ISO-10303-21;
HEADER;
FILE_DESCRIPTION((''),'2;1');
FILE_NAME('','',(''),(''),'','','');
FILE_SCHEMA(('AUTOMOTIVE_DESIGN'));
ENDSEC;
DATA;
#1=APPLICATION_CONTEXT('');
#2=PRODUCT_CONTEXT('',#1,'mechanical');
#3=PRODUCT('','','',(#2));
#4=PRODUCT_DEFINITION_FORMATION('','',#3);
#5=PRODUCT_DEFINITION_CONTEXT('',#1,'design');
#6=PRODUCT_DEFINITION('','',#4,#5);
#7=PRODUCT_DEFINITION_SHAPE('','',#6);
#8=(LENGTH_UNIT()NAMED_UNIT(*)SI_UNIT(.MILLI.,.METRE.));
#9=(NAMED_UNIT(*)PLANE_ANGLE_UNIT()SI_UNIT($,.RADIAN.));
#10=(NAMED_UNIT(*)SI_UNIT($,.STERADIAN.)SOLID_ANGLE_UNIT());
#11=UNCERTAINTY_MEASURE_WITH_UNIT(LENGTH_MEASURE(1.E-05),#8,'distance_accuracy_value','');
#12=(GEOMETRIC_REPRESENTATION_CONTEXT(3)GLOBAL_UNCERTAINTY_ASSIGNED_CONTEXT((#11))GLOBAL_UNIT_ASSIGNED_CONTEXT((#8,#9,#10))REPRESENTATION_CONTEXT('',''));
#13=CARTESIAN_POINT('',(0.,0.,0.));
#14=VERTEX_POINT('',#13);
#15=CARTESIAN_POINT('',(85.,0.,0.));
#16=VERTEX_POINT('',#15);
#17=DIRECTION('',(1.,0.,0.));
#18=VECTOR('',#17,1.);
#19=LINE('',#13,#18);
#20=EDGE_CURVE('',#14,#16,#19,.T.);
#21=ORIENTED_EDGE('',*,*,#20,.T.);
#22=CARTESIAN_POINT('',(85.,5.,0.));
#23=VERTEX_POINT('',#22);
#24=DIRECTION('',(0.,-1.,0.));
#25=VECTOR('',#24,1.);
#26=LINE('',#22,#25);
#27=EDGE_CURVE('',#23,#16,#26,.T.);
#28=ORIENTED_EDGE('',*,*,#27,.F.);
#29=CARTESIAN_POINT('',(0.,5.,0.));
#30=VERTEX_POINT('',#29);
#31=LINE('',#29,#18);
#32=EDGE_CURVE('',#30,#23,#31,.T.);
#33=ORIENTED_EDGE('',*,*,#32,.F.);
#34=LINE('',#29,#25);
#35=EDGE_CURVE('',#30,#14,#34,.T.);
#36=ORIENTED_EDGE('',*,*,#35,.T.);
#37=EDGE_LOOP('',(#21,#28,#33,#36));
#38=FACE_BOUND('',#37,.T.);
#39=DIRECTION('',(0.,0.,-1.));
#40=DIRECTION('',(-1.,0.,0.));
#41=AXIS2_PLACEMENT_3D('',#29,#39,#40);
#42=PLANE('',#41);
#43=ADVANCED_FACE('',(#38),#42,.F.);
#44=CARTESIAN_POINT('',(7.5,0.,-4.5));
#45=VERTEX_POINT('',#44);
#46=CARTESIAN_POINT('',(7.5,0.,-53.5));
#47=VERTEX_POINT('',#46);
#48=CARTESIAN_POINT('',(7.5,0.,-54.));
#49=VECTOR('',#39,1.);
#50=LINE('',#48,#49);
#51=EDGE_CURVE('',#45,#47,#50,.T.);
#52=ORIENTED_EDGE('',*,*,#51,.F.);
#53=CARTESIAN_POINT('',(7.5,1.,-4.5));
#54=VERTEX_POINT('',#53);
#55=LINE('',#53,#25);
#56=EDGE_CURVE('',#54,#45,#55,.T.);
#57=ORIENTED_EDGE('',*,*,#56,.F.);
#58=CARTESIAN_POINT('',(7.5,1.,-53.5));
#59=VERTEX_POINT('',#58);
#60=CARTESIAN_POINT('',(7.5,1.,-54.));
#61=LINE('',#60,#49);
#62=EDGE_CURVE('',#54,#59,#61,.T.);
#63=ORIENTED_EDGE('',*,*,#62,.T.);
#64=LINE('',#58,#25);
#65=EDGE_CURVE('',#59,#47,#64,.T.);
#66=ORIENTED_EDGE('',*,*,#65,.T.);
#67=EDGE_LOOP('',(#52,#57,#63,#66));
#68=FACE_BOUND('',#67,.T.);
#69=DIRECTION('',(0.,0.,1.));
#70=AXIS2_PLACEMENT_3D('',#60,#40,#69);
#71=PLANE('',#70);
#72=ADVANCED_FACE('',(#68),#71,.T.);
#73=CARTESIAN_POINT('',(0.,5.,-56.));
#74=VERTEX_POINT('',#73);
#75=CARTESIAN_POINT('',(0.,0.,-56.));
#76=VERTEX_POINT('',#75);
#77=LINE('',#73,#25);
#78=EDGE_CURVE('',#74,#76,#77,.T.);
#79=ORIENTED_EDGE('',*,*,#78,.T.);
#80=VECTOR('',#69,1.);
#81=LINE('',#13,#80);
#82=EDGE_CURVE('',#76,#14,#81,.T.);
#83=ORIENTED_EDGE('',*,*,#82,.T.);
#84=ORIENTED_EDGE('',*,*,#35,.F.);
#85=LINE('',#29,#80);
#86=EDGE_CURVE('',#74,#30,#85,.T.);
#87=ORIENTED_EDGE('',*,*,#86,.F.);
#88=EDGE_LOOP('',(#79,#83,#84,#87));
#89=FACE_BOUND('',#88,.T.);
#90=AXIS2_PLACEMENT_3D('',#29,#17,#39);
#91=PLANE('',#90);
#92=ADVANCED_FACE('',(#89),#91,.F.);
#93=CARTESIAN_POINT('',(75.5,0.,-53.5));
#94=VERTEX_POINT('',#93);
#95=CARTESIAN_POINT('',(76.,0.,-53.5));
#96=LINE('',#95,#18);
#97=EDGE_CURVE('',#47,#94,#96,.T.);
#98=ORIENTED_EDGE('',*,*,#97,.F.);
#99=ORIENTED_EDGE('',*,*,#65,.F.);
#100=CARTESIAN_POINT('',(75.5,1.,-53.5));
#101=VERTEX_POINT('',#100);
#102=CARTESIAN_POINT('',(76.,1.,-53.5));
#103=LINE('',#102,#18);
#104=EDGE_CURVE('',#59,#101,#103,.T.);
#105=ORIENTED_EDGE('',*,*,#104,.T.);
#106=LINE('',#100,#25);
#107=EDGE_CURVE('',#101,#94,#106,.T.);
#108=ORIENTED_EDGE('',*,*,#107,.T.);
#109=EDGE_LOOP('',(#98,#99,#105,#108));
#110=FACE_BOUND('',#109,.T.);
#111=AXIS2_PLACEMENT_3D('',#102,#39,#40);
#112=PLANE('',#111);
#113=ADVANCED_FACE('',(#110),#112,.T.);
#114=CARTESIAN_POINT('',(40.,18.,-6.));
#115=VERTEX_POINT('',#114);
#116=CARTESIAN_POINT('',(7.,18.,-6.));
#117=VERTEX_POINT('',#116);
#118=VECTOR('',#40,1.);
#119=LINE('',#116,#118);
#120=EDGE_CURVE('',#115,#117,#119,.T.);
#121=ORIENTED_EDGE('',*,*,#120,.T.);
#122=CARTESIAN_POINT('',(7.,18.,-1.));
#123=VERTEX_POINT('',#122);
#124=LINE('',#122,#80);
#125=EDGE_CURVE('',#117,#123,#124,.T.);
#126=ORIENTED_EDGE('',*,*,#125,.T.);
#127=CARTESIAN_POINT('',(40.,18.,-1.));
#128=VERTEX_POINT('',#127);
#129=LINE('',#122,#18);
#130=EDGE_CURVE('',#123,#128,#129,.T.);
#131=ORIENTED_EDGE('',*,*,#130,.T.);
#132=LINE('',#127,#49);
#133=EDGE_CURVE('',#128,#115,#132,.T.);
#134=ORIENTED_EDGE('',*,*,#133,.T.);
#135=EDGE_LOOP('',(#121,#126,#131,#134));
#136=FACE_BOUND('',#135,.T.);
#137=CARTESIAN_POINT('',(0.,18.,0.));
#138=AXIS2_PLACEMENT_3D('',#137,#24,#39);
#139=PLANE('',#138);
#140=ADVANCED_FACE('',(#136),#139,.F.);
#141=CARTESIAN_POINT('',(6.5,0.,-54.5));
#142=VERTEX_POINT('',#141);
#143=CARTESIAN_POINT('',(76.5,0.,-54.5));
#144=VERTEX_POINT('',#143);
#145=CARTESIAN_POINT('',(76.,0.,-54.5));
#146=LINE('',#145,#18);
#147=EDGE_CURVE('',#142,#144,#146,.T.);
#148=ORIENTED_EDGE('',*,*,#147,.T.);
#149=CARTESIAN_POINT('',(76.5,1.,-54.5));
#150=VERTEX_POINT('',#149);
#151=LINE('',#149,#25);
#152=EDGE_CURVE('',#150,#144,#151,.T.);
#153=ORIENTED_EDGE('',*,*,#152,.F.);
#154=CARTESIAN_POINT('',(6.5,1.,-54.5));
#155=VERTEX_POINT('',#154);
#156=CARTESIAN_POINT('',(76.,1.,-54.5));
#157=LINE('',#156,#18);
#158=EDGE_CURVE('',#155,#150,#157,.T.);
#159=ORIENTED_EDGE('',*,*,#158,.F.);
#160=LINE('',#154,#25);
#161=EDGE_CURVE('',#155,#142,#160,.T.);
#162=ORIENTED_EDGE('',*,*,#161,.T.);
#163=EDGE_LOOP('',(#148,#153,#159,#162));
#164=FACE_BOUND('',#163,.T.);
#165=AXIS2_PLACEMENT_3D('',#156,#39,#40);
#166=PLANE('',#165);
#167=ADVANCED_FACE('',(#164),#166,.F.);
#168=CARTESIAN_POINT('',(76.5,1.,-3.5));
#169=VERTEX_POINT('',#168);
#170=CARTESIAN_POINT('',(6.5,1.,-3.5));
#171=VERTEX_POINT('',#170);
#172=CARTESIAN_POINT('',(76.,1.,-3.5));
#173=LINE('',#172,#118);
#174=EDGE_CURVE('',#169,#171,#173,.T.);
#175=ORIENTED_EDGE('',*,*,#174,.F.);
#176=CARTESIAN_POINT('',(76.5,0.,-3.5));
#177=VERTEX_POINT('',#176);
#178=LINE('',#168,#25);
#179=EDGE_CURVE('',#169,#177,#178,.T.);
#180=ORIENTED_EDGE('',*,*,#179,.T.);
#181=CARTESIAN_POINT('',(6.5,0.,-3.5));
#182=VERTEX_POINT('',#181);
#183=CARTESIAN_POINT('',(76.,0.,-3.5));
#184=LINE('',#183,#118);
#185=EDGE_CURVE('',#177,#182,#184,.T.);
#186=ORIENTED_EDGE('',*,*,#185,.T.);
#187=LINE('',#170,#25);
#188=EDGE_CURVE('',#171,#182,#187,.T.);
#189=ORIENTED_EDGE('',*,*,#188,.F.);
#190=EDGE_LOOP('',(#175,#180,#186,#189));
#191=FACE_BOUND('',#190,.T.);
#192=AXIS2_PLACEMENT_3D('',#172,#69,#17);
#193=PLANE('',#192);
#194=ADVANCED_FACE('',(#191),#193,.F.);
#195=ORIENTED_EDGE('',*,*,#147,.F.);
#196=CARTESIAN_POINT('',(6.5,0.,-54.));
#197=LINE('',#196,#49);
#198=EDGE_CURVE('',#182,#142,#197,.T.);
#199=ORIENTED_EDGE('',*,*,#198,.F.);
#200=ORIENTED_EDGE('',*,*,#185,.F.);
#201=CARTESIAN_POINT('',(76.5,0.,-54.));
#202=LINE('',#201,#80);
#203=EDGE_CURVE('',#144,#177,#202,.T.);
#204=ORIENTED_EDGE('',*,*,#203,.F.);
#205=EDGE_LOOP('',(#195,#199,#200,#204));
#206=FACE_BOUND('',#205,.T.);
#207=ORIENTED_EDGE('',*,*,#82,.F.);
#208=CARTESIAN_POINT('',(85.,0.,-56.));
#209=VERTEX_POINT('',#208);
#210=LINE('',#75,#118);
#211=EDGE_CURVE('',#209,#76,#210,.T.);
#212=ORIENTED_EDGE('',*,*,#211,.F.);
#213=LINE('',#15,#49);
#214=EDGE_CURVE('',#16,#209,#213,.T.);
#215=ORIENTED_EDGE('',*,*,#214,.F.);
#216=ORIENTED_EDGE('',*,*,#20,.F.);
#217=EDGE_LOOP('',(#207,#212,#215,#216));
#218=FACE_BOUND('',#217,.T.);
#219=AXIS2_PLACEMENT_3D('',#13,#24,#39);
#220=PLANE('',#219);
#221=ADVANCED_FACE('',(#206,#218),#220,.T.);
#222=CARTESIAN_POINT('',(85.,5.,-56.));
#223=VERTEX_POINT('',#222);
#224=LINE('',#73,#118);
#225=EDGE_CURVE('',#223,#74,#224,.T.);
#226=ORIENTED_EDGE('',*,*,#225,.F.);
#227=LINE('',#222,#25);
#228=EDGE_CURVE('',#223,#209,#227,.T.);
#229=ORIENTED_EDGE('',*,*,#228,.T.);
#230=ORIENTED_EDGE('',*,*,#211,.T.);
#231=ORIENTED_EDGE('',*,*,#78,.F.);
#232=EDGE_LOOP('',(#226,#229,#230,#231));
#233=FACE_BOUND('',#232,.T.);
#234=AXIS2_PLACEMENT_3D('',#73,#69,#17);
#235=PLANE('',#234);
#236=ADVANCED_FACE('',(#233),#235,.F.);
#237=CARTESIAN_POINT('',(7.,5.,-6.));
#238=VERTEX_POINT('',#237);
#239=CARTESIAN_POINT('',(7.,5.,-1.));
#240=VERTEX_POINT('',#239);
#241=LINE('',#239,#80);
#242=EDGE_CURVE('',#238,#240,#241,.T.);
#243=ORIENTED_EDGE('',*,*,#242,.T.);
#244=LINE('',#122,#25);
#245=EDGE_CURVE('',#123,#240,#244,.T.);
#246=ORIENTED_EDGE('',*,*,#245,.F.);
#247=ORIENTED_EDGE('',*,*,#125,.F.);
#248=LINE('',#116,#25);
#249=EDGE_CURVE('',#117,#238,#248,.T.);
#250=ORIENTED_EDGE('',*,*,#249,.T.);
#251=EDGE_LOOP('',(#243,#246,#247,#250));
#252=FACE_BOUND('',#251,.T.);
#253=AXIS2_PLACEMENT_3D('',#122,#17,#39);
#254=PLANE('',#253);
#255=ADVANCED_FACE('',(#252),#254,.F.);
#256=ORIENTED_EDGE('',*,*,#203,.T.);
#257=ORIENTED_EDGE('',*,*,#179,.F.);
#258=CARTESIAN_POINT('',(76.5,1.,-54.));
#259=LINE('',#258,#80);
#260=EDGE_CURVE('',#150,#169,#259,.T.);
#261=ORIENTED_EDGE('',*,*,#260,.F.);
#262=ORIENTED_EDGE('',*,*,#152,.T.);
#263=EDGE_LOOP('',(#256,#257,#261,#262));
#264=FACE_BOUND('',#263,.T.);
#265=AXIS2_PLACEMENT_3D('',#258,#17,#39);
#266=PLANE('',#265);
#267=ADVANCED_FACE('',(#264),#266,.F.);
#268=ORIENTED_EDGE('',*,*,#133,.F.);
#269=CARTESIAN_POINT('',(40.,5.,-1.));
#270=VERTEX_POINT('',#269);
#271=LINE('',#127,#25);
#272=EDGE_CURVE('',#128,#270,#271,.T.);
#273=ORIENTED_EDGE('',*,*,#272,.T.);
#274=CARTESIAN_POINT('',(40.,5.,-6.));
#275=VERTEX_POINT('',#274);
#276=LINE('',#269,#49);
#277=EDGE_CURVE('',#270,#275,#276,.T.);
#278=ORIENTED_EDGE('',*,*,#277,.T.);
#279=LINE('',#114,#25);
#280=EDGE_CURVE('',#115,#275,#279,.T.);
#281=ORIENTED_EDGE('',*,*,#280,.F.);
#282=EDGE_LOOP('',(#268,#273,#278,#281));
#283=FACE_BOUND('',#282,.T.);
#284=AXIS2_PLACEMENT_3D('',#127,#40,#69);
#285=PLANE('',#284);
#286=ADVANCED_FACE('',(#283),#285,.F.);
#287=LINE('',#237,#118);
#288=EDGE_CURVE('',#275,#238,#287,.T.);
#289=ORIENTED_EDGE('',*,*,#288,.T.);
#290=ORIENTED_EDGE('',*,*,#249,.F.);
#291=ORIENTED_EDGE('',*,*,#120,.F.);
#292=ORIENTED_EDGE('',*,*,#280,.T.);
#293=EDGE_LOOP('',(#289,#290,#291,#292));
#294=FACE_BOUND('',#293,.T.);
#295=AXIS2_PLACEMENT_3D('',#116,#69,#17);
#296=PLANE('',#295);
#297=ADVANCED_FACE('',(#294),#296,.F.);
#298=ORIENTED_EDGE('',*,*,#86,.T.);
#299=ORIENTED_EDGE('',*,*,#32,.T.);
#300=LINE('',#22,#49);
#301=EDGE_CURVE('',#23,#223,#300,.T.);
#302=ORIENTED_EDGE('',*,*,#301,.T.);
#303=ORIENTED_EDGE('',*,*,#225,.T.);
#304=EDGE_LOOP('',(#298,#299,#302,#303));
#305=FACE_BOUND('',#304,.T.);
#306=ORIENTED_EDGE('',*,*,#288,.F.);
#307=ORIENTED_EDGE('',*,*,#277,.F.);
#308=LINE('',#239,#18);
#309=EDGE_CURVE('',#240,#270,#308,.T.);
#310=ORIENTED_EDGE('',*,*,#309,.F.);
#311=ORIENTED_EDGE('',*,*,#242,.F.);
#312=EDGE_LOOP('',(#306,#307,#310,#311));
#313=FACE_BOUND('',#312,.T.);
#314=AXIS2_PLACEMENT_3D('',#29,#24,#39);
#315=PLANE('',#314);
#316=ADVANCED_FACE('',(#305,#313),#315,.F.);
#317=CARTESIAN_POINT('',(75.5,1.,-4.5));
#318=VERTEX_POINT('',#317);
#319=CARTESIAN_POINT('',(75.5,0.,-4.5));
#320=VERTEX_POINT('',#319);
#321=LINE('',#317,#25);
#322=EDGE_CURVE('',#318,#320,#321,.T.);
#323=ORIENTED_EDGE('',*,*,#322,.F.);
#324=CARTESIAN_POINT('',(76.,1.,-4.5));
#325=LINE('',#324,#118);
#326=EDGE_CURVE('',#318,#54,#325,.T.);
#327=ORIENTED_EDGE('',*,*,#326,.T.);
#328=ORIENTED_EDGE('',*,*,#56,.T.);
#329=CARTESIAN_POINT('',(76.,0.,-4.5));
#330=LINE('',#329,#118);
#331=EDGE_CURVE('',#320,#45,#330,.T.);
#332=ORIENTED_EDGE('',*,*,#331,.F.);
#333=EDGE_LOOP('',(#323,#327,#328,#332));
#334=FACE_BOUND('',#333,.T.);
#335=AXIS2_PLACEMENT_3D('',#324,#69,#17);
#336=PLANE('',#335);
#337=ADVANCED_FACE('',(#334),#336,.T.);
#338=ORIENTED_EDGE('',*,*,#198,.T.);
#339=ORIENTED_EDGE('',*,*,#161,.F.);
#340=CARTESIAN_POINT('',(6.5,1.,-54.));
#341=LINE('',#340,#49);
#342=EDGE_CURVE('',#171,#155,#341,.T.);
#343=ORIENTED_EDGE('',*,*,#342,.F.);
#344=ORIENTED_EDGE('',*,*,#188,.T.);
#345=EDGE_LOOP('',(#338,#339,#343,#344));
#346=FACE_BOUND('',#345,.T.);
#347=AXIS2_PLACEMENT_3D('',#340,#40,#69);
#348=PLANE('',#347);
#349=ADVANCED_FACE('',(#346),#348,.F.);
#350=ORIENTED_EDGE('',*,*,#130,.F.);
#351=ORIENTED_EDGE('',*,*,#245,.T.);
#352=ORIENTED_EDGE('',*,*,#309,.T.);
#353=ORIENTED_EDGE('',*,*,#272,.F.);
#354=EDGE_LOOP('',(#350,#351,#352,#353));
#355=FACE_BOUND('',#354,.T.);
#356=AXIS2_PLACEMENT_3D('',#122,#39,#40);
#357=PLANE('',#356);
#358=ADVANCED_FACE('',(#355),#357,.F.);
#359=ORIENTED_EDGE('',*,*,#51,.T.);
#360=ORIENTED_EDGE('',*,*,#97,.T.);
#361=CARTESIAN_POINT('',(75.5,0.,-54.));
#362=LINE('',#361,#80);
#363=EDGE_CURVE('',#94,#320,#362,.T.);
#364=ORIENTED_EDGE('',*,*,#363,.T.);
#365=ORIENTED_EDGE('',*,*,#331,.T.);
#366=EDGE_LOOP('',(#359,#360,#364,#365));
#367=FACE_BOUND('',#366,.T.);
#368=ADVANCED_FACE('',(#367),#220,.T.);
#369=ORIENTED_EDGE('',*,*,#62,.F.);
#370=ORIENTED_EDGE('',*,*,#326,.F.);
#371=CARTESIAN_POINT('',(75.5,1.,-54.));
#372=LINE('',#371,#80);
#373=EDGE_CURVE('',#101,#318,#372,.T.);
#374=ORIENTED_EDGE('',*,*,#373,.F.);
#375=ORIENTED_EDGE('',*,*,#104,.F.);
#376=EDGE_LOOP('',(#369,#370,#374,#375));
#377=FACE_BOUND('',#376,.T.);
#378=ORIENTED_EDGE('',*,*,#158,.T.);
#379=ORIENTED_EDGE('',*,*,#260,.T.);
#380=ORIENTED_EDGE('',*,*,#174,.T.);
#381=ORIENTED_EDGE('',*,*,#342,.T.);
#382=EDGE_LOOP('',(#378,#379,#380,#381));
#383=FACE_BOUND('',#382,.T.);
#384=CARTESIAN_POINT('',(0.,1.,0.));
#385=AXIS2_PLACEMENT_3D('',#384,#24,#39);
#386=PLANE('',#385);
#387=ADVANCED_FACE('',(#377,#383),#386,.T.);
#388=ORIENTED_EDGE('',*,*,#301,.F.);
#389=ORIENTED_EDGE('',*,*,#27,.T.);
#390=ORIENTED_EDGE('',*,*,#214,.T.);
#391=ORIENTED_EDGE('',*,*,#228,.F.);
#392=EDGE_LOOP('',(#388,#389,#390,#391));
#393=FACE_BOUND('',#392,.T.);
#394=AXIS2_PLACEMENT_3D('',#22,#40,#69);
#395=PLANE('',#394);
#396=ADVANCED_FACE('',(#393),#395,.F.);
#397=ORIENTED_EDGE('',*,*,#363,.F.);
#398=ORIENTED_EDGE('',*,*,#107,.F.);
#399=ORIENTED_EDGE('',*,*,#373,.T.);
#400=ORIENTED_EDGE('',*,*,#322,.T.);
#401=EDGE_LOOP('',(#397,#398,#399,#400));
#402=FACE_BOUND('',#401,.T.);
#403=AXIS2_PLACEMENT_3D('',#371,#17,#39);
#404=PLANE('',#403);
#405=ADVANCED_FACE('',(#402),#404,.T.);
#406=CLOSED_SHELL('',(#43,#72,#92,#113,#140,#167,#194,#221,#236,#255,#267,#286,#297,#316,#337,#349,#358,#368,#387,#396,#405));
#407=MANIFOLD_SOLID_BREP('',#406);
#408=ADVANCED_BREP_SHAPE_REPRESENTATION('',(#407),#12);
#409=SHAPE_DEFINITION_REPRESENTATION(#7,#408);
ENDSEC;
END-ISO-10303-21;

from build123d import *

# Parameters (mm, degrees)
SKETCH_1_W          = 85
SKETCH_1_H          = 56
EXTRUDE_1_DEPTH     = 5
SKETCH_2_W          = 33
SKETCH_2_H          = 5
EXTRUDE_2_DEPTH     = 13
SKETCH_3_W          = 70
SKETCH_3_H          = 51
SKETCH_3_W_2        = 68
SKETCH_3_H_2        = 49
CUT_EXTRUDE_1_DEPTH = 1


with BuildPart() as part:
    # Эскиз1 → Бобышка-Вытянуть1 (new body)
    with BuildSketch(Plane(origin=(0, 0, 0), x_dir=(1, 0, 0), z_dir=(0, 1, 0))):
        with Locations((42.5, 28)):
            Rectangle(SKETCH_1_W, SKETCH_1_H)
    extrude(amount=EXTRUDE_1_DEPTH)

    # Эскиз2 → Бобышка-Вытянуть2 (add)
    with BuildSketch(Plane(origin=(0, 5, 0), x_dir=(1, 0, 0), z_dir=(0, 1, 0))):
        with Locations((23.5, 3.5)):
            Rectangle(SKETCH_2_W, SKETCH_2_H)
    extrude(amount=EXTRUDE_2_DEPTH)

    # Эскиз3 → Вырез-Вытянуть-Тонкостенный1 (cut)
    with BuildSketch(Plane.XZ):
        with Locations((41.5, -29)):
            Rectangle(SKETCH_3_W, SKETCH_3_H)
        with Locations((41.5, -29)):
            Rectangle(SKETCH_3_W_2, SKETCH_3_H_2, mode=Mode.SUBTRACT)
    extrude(amount=-CUT_EXTRUDE_1_DEPTH, mode=Mode.SUBTRACT)


solid = part.part
